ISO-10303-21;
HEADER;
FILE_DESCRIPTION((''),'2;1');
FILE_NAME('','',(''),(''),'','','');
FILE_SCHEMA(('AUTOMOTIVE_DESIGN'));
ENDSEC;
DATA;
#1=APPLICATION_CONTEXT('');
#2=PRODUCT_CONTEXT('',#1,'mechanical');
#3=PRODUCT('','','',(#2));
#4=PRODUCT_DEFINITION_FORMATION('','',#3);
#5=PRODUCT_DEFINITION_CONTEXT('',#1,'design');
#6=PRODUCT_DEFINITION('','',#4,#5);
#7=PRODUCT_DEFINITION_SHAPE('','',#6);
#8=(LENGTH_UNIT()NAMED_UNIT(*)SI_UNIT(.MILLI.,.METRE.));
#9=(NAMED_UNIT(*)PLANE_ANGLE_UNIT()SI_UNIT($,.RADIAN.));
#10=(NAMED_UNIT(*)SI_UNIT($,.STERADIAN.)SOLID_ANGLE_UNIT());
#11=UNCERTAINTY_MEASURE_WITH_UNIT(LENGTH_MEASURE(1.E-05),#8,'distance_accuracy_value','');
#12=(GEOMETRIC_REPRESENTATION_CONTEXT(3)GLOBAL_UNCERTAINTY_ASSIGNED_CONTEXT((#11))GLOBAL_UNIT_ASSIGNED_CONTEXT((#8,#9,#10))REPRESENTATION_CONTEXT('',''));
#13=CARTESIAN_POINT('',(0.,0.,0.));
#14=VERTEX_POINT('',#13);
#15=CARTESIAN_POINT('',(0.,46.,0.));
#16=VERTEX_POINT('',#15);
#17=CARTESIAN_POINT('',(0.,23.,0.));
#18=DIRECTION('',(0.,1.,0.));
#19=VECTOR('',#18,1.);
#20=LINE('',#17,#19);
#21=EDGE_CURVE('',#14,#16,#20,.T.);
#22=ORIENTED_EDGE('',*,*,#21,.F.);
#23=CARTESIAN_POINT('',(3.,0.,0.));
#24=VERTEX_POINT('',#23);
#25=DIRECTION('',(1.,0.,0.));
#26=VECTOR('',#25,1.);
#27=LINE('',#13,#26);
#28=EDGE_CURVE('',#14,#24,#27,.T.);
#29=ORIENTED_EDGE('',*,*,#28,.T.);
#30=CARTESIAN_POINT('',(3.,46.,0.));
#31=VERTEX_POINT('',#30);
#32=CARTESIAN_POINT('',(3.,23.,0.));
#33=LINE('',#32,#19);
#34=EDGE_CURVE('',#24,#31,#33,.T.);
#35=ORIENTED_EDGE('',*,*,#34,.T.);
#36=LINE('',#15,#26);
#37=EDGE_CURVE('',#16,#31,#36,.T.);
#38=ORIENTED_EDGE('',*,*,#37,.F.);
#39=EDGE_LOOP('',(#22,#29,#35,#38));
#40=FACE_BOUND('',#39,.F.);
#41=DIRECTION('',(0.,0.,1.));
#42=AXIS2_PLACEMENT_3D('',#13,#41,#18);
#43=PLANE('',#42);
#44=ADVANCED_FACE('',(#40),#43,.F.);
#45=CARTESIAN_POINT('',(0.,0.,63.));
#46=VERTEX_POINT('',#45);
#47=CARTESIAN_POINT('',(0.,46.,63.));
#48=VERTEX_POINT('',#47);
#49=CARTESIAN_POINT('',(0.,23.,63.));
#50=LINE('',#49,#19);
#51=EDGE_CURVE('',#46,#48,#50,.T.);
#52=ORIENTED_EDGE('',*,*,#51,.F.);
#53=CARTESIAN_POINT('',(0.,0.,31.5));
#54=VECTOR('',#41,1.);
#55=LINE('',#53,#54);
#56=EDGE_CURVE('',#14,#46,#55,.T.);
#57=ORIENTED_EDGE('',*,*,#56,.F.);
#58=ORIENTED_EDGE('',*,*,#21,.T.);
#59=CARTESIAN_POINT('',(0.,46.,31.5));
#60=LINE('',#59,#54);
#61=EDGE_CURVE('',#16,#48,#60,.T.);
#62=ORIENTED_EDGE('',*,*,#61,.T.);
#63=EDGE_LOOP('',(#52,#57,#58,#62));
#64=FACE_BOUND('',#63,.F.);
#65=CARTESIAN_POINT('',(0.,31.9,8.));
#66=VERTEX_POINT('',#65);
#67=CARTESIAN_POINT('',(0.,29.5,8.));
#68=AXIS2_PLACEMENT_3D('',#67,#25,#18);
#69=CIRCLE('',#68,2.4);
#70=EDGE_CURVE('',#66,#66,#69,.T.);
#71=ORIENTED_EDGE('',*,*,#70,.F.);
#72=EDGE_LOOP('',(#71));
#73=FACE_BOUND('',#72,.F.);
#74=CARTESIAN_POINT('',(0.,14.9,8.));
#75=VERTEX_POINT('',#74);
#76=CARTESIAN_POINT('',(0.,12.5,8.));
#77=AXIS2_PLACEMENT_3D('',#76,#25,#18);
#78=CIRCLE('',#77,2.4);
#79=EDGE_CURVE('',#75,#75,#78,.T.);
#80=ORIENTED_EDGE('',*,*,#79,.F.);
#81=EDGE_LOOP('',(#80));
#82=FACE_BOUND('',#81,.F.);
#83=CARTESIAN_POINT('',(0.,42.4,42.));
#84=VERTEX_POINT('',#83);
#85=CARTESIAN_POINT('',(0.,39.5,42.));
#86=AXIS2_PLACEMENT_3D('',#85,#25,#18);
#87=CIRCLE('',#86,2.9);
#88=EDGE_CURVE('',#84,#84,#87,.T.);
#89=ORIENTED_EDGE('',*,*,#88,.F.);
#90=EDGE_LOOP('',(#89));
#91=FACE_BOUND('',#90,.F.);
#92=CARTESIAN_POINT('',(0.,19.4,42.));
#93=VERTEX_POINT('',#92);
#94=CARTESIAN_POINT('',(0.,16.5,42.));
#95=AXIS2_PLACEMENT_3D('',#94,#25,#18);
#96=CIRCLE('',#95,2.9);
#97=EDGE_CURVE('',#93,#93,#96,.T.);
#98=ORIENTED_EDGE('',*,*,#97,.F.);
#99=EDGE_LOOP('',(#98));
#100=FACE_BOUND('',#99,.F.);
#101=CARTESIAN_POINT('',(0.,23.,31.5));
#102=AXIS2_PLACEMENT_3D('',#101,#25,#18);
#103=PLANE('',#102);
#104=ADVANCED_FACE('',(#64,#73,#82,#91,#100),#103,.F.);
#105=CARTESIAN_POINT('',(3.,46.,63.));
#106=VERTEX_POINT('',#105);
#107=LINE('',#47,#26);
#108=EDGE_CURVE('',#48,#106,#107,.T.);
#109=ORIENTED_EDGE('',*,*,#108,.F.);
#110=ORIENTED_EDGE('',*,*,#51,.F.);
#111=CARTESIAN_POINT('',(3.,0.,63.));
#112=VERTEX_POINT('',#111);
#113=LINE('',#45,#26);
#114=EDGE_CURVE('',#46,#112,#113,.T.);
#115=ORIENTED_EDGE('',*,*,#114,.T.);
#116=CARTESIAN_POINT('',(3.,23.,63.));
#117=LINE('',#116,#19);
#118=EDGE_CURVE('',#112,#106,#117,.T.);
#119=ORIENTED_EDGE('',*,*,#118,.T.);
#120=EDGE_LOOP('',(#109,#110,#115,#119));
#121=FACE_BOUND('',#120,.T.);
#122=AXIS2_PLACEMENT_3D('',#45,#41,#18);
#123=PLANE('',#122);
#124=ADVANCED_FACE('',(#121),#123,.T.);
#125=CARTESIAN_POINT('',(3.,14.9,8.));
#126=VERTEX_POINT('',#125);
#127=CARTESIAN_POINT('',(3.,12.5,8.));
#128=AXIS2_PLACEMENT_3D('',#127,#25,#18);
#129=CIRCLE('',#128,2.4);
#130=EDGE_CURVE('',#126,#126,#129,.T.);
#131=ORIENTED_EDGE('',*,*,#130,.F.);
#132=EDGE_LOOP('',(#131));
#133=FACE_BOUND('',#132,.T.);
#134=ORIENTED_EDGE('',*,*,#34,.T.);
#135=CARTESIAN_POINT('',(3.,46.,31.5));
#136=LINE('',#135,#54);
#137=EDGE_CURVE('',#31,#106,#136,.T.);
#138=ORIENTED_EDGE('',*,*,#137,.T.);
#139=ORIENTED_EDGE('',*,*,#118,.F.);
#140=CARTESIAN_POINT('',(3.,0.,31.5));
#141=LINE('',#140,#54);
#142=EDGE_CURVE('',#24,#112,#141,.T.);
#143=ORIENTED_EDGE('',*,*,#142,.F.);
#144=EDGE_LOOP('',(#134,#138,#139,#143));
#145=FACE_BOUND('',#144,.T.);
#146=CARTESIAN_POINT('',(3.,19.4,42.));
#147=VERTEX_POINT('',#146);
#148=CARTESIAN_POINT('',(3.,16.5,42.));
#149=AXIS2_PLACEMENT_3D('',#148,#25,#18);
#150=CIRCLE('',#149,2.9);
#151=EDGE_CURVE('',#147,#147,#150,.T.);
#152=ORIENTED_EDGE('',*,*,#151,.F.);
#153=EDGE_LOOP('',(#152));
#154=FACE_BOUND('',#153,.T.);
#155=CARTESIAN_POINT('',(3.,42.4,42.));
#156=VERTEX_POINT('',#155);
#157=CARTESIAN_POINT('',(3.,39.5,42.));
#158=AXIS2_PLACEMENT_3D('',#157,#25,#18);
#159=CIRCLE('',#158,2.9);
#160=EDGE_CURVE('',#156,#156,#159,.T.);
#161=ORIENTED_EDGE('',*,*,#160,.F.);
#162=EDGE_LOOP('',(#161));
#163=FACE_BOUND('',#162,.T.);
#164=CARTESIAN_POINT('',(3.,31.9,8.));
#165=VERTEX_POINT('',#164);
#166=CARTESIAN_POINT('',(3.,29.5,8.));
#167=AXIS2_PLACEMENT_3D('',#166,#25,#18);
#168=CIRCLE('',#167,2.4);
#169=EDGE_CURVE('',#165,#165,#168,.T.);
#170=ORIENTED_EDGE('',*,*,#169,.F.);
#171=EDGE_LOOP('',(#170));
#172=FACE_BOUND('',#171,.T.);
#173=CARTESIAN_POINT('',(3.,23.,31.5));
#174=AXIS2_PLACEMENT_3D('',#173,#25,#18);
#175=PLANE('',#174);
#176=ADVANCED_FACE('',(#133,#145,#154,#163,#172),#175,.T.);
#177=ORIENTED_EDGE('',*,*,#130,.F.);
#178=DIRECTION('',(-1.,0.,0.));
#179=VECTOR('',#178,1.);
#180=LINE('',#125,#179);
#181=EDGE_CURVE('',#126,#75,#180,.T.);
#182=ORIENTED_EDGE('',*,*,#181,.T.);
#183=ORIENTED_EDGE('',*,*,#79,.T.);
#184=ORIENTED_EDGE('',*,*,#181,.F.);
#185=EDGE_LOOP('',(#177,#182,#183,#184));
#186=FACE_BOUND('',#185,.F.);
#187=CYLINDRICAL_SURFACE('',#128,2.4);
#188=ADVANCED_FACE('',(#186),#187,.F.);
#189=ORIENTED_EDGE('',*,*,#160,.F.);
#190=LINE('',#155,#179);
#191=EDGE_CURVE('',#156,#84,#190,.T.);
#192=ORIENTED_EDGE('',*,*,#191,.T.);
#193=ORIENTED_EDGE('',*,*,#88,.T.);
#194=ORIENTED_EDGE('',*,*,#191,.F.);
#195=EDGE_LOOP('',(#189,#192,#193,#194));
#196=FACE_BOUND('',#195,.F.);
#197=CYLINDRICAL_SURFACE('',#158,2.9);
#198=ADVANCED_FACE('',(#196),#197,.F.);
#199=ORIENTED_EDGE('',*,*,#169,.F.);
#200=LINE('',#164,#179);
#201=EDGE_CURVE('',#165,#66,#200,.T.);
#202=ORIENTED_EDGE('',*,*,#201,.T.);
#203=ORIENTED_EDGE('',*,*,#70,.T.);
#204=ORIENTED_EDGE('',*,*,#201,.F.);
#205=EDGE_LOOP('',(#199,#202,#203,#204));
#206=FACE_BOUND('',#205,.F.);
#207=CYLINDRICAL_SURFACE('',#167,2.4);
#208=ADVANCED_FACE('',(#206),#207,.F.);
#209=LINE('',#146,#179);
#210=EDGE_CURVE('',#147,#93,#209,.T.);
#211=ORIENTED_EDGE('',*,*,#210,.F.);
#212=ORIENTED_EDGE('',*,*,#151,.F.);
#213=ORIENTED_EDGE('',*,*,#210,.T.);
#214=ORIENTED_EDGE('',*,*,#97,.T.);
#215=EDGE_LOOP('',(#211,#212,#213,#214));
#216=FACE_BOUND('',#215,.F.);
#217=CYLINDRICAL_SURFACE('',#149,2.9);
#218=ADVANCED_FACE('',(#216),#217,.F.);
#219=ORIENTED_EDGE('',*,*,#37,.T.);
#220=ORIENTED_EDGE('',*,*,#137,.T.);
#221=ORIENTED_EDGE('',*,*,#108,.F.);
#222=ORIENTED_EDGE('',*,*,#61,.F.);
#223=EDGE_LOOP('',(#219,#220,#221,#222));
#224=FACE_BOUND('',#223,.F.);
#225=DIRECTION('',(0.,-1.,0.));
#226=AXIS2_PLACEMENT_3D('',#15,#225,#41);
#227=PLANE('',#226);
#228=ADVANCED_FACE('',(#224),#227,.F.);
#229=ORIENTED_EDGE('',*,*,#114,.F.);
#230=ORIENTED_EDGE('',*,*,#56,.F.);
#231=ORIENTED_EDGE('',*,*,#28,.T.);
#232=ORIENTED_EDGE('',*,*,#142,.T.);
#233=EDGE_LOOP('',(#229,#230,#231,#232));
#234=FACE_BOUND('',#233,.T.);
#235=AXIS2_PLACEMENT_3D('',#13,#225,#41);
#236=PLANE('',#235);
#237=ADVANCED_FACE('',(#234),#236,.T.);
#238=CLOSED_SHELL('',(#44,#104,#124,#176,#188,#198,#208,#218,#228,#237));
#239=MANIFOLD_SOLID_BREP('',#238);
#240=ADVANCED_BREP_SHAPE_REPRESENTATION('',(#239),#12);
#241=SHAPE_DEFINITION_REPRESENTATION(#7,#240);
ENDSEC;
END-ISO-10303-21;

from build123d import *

# Parameters (mm, degrees)
F0_W     = 46
F0_H     = 63
F1_DEPTH = 3
F2_W     = 46
F2_H     = 63
F2_R     = 2.4
F2_R_2   = 2.9
F3_DEPTH = 3.001


with BuildPart() as f1:
    # F0 (on Right) → F1 (new body)
    with BuildSketch(Plane.YZ):
        with Locations((23, 31.5)):
            Rectangle(F0_W, F0_H)
    extrude(amount=F1_DEPTH)

    # F2 (on face) → F3 (intersect, through all)
    with BuildSketch(Plane.YZ.offset(3)):
        with Locations((23, 31.5)):
            Rectangle(F2_W, F2_H)
        with Locations((12.5, 8)):
            Circle(F2_R, mode=Mode.SUBTRACT)
        with Locations((29.5, 8)):
            Circle(F2_R, mode=Mode.SUBTRACT)
        with Locations((16.5, 42)):
            Circle(F2_R_2, mode=Mode.SUBTRACT)
        with Locations((39.5, 42)):
            Circle(F2_R_2, mode=Mode.SUBTRACT)
    extrude(amount=-F3_DEPTH, mode=Mode.INTERSECT)


solid = f1.part
